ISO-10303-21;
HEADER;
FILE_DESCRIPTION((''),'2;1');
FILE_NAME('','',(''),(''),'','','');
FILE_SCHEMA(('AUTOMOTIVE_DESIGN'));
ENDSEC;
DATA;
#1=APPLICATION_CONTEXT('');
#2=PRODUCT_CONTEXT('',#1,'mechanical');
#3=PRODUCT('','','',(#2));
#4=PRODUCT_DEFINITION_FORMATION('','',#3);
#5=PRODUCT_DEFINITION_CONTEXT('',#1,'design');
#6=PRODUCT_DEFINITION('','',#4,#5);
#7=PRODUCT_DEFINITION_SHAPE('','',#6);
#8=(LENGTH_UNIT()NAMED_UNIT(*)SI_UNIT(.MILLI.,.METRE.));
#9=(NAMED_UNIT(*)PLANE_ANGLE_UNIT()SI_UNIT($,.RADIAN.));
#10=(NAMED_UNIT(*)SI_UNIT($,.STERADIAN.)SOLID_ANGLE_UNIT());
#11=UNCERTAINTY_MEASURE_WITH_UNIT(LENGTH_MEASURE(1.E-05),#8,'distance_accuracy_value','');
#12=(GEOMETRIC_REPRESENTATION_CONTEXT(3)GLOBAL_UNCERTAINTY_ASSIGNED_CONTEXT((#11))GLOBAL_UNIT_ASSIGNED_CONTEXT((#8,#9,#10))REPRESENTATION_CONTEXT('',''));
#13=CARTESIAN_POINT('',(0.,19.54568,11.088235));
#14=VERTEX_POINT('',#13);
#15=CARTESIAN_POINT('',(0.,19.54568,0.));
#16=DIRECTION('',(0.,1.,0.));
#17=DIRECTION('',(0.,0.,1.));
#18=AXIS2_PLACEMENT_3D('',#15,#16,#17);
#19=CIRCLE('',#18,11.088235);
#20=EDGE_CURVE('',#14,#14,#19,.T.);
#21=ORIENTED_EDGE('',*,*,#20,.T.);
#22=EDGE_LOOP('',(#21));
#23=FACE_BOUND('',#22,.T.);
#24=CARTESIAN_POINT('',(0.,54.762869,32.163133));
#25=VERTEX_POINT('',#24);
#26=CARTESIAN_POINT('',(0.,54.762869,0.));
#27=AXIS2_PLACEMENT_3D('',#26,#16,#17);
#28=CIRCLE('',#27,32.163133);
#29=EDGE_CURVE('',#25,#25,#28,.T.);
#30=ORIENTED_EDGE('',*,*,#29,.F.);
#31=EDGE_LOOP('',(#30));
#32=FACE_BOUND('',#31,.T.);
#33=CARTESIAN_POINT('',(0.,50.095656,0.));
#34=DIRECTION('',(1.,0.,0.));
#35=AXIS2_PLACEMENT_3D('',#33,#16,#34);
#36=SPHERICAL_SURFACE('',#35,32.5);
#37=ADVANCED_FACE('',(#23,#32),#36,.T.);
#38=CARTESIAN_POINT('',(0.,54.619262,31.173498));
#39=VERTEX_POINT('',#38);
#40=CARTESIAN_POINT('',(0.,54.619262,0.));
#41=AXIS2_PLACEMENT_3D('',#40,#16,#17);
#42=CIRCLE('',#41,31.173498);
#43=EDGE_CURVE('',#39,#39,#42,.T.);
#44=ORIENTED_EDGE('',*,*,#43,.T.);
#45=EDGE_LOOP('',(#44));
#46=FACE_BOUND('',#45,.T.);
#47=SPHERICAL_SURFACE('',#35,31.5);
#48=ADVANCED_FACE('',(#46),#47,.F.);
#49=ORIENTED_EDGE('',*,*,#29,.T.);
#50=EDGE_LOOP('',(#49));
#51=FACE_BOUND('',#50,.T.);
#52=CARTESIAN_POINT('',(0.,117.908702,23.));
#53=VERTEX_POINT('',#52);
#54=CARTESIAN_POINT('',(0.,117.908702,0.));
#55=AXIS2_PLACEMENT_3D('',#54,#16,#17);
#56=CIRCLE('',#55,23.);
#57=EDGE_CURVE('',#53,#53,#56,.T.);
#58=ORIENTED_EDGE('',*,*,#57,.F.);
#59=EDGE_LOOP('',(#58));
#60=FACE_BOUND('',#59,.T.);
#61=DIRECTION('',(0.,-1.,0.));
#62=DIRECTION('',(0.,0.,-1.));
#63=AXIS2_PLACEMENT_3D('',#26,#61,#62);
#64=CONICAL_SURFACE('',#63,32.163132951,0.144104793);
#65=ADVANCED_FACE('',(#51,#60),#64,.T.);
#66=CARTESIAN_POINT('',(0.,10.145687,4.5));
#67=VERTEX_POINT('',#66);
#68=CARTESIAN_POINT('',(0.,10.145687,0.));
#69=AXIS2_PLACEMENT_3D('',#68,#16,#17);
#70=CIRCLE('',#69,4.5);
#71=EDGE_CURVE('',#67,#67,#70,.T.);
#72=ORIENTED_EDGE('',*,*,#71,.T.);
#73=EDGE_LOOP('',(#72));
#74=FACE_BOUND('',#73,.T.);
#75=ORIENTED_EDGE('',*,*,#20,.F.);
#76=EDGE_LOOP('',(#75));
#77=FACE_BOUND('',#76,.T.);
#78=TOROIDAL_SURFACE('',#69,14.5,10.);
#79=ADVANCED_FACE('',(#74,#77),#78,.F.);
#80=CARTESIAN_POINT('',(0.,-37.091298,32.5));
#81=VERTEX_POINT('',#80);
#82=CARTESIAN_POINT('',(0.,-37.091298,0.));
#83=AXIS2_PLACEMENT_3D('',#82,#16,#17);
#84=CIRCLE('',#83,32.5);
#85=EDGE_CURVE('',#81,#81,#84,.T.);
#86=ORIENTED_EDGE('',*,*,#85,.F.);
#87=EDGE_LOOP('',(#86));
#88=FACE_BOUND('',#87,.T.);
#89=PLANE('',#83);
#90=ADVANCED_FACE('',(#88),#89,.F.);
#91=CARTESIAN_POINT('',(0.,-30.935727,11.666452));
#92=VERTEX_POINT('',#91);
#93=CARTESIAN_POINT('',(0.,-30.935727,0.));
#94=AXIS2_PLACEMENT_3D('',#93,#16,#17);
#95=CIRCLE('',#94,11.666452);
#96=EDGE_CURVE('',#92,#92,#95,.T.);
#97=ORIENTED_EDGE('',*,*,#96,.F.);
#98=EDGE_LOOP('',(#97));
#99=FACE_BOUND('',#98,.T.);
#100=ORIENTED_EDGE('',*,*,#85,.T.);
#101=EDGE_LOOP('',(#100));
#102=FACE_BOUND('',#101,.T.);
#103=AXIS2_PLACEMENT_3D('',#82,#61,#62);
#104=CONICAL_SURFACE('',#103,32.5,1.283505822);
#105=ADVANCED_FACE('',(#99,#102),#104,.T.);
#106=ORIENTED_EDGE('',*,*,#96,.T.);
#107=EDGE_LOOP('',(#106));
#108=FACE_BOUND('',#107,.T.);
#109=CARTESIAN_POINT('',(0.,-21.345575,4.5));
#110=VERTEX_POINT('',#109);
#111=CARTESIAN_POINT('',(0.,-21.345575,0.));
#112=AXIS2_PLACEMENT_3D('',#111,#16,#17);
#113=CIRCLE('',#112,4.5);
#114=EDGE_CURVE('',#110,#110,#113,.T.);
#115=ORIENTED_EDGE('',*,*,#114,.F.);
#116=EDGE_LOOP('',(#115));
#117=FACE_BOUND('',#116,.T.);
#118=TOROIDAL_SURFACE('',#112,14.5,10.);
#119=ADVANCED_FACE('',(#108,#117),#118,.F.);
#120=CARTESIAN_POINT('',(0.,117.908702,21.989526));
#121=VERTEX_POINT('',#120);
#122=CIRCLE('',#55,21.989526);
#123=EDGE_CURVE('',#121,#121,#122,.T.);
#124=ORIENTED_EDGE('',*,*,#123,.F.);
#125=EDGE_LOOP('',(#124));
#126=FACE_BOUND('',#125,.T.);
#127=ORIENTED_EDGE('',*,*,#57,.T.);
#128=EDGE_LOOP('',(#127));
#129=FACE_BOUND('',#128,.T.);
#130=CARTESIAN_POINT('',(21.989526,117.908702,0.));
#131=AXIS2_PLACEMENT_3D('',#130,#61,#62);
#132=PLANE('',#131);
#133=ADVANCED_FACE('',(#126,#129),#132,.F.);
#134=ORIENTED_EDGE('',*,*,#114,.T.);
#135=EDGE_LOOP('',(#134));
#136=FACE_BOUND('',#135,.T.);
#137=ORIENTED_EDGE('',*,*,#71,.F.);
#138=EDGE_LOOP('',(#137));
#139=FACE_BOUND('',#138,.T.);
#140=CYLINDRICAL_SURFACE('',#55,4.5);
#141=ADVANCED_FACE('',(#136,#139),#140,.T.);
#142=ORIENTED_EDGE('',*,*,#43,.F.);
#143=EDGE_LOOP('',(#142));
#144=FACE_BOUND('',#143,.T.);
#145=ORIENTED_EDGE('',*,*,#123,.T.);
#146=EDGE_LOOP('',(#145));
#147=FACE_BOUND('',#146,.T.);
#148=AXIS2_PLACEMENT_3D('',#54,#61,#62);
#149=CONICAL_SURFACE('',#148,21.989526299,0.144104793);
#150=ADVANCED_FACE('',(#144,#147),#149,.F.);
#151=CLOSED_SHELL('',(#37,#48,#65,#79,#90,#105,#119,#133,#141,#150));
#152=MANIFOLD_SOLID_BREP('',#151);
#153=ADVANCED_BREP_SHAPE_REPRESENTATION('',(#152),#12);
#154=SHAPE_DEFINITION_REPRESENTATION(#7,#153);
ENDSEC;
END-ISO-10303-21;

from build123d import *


with BuildPart() as part:
    # Sketch2 → Revolve1 (revolve)
    with BuildSketch(Plane.XY):
        with BuildLine():
            Line((0, -37.091298276), (32.5, -37.091298276))
            Line((32.5, -37.091298276), (11.66645179, -30.935726736))
            ThreePointArc((11.66645179, -30.935726736), (6.489523045, -27.331580559), (4.5, -21.345575301))
            Line((4.5, -21.345575301), (4.5, 10.145686892))
            ThreePointArc((4.5, 10.145686892), (6.311054798, 15.885127323), (11.088235294, 19.545679529))
            ThreePointArc((11.088235294, 19.545679529), (27.887861488, 33.406821561), (32.163132951, 54.762868775))
            Line((32.163132951, 54.762868775), (23, 117.908701724))
            Line((23, 117.908701724), (21.989526299, 117.908701724))
            Line((21.989526299, 117.908701724), (31.173498091, 54.619262216))
            ThreePointArc((31.173498091, 54.619262216), (23.819567674, 29.483081871), (0, 18.595655602))
            Line((0, 18.595655602), (0, -37.091298276))
        make_face()
    revolve(axis=Axis((0, 117.908701724, 0), (0, -1, 0)))


solid = part.part
